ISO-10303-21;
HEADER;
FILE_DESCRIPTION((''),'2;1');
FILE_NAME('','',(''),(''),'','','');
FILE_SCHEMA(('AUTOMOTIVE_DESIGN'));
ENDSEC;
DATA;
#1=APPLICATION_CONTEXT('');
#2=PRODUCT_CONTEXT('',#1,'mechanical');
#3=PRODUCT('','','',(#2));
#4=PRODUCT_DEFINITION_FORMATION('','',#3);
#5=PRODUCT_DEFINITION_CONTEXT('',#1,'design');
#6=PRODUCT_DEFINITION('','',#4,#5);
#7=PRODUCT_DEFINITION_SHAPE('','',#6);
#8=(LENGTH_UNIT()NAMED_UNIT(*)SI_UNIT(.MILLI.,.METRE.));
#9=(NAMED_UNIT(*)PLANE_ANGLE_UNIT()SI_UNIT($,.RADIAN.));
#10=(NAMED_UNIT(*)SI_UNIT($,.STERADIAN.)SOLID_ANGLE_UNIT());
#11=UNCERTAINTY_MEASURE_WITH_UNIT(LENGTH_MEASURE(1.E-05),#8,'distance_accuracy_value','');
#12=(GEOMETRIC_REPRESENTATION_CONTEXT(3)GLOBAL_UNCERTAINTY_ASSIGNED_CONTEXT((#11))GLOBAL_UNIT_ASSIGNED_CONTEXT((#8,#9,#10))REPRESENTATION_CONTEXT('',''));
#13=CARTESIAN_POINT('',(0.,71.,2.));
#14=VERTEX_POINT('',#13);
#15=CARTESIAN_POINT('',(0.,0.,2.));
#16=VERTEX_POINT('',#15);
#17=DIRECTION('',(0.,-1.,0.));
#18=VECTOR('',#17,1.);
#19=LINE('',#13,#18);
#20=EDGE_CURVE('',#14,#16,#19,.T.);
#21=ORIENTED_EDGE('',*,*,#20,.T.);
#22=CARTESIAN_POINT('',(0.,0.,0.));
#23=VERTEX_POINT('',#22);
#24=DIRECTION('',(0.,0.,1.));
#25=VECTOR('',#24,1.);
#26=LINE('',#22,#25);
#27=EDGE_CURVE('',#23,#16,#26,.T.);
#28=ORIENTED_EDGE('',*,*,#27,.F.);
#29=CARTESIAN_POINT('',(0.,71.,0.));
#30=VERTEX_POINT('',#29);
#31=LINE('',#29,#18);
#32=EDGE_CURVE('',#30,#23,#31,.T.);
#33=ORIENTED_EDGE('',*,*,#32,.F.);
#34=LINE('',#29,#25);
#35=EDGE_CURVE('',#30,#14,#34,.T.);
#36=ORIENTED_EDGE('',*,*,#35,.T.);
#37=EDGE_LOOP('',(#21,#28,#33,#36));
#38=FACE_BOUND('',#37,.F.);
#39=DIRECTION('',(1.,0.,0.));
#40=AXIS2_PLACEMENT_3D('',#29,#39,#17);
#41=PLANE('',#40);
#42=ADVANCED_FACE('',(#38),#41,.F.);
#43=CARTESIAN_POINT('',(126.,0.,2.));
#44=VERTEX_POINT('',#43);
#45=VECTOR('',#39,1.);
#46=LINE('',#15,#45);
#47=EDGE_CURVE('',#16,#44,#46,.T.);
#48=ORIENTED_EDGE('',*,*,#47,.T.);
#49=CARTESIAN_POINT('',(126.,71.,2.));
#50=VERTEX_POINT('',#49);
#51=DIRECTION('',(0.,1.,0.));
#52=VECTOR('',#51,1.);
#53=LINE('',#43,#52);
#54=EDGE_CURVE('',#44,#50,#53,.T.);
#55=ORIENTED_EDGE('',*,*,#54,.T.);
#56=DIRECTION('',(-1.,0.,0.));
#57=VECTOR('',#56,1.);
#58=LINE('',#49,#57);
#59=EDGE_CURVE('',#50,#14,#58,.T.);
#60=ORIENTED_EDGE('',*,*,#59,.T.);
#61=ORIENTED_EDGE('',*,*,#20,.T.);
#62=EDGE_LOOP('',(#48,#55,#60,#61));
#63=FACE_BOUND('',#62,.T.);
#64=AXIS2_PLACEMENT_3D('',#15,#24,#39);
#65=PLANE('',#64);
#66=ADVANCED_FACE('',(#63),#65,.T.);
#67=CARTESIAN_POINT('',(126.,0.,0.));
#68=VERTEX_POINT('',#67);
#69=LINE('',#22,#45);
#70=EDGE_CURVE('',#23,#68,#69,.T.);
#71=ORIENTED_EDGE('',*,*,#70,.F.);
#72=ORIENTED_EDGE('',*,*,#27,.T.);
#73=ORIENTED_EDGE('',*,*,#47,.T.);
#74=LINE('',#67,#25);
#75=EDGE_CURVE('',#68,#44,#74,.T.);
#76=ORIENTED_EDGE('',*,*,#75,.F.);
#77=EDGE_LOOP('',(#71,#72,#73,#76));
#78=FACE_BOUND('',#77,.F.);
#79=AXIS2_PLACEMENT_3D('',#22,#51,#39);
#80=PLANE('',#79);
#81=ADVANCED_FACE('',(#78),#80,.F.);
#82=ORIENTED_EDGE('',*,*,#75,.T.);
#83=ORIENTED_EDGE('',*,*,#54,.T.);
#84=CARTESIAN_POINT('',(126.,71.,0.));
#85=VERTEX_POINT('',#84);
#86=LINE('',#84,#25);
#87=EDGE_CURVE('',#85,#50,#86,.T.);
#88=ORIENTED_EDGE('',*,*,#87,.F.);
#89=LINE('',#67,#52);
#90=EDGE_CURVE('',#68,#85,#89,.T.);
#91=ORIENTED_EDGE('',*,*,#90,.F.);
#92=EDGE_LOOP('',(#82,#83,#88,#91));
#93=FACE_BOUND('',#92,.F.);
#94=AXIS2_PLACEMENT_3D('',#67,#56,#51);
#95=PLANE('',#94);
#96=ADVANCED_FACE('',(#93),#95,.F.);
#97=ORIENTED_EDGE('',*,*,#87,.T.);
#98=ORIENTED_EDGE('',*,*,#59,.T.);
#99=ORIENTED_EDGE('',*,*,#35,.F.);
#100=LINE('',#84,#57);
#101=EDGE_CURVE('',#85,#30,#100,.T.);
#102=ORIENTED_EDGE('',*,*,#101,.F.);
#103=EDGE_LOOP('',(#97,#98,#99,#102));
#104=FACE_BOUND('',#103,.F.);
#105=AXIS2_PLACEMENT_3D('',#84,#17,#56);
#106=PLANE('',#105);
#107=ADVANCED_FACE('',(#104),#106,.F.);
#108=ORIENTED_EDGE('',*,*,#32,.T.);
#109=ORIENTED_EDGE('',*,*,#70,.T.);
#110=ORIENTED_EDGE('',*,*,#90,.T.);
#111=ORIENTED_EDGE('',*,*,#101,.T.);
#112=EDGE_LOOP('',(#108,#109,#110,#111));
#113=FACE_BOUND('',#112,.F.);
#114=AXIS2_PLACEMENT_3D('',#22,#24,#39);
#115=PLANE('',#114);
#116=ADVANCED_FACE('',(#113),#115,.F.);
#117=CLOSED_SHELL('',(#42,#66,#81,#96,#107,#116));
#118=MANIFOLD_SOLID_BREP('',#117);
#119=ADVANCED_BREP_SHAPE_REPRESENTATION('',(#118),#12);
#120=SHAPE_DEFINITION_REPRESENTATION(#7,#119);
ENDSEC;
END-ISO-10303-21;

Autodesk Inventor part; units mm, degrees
ref_plane "YZ Plane" through (0, 0, 0) normal (1, 0, 0) x (0, 1, 0)
ref_plane "XZ Plane" through (0, 0, 0) normal (0, 1, 0) x (-1, 0, 0)
ref_plane "XY Plane" through (0, 0, 0) normal (0, 0, 1) x (1, 0, 0)
sketch "Sketch1" plane through (0, 0, 0) normal (0, 0, 1) x (1, 0, 0)
  line L0 (0, 0) -> (126, 0)
  line L1 (126, 0) -> (126, 71)
  line L2 (126, 71) -> (0, 71)
  line L3 (0, 71) -> (0, 0)
  dimension "d0" = 126
  dimension "d1" = 71
extrude "Extrusion1" add sketch "Sketch1" along normal blind 2
properties part number "Battery Case Top" material "ABS Plastic"
